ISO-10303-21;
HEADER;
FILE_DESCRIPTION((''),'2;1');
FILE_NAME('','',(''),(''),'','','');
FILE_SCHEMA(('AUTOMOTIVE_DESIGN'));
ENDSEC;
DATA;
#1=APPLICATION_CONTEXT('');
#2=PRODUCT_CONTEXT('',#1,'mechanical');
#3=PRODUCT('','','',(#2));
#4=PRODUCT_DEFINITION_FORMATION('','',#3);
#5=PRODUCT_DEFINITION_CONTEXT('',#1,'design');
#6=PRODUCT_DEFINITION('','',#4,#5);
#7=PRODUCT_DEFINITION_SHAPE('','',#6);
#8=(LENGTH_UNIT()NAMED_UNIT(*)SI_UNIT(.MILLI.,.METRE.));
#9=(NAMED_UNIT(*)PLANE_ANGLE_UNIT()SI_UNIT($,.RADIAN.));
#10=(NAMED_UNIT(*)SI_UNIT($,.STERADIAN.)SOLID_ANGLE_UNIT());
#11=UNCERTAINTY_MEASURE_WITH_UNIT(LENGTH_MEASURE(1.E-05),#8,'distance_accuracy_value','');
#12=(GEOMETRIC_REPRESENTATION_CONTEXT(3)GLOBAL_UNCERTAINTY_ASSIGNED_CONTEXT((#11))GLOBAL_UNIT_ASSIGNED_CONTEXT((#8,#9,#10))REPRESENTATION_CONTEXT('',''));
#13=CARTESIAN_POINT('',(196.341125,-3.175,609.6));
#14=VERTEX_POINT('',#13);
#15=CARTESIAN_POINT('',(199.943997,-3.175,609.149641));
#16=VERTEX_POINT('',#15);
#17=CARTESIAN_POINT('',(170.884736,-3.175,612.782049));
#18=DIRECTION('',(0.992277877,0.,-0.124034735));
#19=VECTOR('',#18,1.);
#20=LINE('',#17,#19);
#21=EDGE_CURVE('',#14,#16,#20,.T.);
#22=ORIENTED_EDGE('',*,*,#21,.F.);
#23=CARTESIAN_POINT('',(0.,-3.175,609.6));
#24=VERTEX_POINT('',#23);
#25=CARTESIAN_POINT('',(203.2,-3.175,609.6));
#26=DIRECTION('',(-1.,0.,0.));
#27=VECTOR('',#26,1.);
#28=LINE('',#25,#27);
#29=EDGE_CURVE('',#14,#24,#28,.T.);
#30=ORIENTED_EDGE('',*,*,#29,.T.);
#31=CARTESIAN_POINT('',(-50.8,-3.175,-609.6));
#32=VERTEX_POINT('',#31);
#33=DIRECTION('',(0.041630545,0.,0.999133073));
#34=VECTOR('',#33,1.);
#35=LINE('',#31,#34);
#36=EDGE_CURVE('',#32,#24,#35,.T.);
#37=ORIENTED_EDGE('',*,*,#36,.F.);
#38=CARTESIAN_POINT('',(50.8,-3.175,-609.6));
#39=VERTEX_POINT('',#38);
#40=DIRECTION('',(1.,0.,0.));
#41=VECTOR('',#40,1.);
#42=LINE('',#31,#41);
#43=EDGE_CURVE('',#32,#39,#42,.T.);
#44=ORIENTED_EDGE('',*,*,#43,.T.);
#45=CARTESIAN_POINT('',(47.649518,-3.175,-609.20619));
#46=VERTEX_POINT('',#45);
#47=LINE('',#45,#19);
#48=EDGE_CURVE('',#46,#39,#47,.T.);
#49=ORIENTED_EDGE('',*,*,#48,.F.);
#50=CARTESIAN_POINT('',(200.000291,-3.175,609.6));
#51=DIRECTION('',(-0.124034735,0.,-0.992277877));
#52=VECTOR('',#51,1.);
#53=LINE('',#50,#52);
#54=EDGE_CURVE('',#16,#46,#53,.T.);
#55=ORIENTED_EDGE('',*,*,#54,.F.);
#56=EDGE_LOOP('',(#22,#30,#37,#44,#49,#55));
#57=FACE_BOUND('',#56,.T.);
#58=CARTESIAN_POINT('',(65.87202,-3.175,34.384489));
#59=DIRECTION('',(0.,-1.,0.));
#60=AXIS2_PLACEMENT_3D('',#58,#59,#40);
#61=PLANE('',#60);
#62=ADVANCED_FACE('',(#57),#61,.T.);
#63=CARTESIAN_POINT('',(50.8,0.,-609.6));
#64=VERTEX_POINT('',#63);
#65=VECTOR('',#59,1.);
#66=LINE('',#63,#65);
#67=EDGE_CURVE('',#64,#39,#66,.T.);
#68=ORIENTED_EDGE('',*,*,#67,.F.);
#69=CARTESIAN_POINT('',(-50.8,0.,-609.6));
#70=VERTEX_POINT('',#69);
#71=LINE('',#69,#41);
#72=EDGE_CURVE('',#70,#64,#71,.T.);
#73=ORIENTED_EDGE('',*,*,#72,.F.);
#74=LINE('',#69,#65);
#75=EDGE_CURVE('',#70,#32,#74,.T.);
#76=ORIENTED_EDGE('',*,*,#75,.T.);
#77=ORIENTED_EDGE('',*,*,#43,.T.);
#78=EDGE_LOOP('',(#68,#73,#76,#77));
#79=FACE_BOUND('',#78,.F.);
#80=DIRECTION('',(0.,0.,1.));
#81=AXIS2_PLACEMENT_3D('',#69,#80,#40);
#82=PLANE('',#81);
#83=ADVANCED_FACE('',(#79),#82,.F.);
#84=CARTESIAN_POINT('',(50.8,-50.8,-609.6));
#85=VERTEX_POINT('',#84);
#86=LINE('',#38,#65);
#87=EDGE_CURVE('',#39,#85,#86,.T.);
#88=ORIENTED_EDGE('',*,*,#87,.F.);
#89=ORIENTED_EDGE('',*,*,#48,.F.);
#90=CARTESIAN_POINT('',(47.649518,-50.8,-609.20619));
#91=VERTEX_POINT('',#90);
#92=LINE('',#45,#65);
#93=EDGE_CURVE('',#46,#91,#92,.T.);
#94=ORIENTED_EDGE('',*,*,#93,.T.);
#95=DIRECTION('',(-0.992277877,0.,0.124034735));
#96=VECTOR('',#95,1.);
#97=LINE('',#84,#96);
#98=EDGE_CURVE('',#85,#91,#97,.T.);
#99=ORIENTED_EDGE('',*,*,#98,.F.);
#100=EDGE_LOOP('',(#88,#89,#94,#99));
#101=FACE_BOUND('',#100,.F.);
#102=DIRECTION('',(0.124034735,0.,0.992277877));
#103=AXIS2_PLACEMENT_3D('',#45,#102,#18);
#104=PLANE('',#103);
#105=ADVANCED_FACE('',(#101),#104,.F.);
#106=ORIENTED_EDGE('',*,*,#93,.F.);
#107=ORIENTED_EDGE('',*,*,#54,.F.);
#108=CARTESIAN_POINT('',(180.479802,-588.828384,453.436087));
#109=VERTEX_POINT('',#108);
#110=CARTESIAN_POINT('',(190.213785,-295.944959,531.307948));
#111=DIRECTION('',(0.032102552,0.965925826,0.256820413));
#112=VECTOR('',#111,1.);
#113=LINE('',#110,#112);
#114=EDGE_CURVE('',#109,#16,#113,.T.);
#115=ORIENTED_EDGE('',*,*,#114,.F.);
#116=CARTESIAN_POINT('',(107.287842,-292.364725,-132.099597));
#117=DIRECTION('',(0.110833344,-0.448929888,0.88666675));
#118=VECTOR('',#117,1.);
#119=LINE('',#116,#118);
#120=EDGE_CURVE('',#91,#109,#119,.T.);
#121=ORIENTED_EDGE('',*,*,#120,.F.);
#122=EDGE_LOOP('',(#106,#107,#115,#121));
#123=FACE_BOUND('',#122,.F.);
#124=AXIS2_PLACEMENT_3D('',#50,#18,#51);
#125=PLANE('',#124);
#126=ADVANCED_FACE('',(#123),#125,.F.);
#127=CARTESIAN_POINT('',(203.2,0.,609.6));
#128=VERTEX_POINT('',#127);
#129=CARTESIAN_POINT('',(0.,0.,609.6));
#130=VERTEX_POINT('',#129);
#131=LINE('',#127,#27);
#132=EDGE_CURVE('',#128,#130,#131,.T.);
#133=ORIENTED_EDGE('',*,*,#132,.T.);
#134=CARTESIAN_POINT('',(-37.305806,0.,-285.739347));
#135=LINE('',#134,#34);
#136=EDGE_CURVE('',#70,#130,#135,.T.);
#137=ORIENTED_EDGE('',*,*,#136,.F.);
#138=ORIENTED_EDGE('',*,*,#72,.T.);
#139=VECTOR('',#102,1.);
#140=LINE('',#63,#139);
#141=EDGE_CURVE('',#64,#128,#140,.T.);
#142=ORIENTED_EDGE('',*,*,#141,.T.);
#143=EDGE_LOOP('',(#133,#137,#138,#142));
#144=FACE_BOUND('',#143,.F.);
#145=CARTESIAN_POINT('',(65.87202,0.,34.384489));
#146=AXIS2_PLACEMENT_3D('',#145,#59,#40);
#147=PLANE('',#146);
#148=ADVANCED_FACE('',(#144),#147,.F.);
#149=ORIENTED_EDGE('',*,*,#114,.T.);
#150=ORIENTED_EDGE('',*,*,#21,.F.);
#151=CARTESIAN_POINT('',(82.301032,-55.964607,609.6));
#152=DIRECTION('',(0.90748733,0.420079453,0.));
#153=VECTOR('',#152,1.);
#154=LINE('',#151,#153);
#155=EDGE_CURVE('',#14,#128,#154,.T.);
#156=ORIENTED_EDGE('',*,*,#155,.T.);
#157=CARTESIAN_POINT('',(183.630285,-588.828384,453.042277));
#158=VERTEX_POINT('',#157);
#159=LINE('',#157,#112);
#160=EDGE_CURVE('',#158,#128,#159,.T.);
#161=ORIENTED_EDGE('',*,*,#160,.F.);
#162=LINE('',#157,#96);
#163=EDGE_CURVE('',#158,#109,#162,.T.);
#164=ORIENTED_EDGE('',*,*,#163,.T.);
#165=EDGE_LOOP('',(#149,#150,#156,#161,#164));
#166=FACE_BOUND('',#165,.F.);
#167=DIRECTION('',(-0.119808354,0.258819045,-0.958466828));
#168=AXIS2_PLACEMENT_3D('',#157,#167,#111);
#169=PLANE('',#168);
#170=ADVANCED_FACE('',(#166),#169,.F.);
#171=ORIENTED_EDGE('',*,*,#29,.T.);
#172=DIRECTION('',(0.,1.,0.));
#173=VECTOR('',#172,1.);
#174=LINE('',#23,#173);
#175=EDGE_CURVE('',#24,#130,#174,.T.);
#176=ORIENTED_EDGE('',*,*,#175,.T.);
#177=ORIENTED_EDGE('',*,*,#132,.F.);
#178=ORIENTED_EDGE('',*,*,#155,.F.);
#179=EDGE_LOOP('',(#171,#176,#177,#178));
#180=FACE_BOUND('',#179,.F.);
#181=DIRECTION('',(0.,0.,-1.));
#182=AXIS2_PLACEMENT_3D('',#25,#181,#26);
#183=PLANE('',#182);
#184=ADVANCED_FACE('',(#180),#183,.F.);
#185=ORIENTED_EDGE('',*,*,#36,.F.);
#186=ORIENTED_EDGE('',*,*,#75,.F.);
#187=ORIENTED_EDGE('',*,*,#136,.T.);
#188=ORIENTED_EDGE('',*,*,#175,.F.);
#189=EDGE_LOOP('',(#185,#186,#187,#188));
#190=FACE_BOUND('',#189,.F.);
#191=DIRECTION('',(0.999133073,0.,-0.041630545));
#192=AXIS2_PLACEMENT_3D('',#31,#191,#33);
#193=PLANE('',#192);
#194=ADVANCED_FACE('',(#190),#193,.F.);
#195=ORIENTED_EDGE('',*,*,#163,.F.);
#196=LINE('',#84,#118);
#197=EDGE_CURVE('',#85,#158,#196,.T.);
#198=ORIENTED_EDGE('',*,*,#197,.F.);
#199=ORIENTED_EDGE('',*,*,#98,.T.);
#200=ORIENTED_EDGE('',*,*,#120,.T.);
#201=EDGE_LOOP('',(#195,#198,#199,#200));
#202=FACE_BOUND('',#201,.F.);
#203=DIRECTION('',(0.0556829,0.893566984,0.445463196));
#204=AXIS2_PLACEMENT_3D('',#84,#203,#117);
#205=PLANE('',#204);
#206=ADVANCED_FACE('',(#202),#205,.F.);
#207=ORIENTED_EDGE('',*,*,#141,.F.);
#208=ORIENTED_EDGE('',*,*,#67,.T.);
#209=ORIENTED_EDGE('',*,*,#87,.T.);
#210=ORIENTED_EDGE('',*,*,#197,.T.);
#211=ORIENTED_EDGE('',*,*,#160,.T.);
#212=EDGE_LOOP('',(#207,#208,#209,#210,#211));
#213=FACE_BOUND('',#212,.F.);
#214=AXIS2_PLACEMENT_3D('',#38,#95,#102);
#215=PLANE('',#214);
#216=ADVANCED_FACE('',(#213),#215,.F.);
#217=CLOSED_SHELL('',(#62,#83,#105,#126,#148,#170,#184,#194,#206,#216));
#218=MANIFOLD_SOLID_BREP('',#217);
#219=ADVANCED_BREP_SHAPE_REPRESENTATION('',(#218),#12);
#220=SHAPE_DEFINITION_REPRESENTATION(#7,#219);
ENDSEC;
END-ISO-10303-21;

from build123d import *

# Parameters (mm, degrees)
F1_DEPTH = 3.175
F3_DEPTH = 609.6
F5_DEPTH = 1211.58
F7_DEPTH = 25.4


with BuildPart() as f1:
    # F0 (on Front) → F1 (new body)
    with BuildSketch(Plane.XZ):
        Polygon((50.8, -609.6), (203.2, 609.6), (0, 609.6), (0, -609.6), align=None)
        Polygon((0, -609.6), (0, 609.6), (-203.2, 609.6), (-50.8, -609.6), align=None)
    extrude(amount=F1_DEPTH)

    # F2 (on face) → F3 (join)
    with BuildSketch(Plane.XZ.offset(3.175)):
        Polygon((47.6495177414, -609.2061897177), (50.8, -609.6), (203.2, 609.6), (200.0002914561, 609.6), align=None)
    extrude(amount=F3_DEPTH)

    # F4 (on face) → F5 (cut)
    with BuildSketch(Plane(origin=(125.0461538462, 0, -15.6307692308), x_dir=(0, 1, 0), z_dir=(0.9922778767, 0, -0.1240347346))):
        Polygon((-588.8283837058, 472.3203618187), (0, 630.0964517132), (0, 731.3741445541), (-712.4527692795, 731.3741445541), (-712.4527692795, -900.0895023346), (-50.8, -900.0895023346), (-50.8, -598.5916291275), align=None)
    extrude(amount=-F5_DEPTH, mode=Mode.SUBTRACT)

    # F6 (on face) → F7 (cut)
    with BuildSketch(Plane.XZ.offset(3.175)):
        Polygon((-203.2, 609.6), (-50.8, -609.6), (0, 609.6), align=None)
    extrude(amount=-F7_DEPTH, mode=Mode.SUBTRACT)


solid = f1.part
